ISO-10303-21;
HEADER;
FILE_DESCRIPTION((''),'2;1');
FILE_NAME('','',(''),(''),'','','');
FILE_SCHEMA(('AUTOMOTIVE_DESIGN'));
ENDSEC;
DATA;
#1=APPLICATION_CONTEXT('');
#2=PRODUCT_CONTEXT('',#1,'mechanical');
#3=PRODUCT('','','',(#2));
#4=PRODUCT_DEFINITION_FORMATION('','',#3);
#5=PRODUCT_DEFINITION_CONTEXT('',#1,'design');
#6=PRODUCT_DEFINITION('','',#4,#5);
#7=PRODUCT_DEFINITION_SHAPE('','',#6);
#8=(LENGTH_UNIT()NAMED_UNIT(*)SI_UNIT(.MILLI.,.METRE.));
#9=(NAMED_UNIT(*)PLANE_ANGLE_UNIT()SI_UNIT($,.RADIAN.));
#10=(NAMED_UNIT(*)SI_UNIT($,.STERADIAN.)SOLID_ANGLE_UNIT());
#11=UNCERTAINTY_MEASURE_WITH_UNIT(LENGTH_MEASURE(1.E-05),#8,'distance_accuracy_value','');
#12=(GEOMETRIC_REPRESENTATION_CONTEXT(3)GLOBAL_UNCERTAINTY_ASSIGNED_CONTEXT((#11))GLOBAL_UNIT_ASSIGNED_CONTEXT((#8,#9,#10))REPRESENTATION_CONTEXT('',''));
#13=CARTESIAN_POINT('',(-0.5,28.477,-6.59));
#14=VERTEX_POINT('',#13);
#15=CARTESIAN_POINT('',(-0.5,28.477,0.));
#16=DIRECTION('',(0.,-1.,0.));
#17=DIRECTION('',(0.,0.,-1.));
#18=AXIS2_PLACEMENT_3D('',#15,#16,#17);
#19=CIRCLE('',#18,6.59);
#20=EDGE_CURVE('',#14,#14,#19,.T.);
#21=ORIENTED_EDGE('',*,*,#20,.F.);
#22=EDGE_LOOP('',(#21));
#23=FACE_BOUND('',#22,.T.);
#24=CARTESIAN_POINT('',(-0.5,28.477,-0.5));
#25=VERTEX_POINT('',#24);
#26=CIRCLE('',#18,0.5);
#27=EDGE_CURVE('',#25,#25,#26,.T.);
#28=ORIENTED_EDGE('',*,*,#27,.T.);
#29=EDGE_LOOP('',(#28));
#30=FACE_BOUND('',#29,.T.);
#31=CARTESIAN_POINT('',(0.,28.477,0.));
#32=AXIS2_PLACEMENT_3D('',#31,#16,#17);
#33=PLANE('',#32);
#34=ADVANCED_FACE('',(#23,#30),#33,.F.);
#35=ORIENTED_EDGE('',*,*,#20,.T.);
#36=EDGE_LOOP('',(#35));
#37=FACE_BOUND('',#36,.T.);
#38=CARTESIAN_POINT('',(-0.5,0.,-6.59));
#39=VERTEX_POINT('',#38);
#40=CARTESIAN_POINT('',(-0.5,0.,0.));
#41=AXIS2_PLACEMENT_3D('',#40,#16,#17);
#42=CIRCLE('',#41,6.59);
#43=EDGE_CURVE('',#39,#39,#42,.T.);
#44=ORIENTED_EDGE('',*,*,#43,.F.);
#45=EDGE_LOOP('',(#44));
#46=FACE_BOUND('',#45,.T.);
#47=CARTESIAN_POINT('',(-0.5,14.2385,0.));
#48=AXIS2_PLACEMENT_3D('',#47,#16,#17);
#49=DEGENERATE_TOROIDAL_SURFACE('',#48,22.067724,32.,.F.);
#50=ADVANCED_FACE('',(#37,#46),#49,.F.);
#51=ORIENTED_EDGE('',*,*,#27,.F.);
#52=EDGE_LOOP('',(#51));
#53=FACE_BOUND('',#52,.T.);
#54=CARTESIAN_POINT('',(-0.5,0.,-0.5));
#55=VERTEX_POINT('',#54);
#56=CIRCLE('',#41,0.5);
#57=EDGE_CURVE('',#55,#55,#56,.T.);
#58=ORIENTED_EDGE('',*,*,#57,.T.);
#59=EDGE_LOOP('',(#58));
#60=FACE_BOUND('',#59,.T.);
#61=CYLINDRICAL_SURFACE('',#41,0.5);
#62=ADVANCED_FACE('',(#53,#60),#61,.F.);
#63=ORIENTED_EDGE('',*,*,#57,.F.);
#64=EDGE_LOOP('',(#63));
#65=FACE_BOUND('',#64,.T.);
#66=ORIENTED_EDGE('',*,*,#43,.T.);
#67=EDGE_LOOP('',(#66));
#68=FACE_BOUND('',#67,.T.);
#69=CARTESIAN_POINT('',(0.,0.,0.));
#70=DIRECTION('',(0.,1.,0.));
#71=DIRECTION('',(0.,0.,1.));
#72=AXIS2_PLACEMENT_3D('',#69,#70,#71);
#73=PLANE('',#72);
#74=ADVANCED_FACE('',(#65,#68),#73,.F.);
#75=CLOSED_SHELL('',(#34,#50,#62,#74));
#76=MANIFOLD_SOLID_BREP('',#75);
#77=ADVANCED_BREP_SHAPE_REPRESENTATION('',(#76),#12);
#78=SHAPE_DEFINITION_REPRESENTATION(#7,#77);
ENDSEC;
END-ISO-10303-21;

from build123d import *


with BuildPart() as part:
    # Sketch1 → Revolve1 (revolve)
    with BuildSketch(Plane.XY):
        with BuildLine():
            Line((6.09, 0), (0, 0))
            Line((0, 0), (0, 28.477))
            Line((0, 28.477), (6.09, 28.477))
            ThreePointArc((6.09, 28.477), (9.432276473, 14.2385), (6.09, 0))
        make_face()
    revolve(axis=Axis((-0.5, 0, 0), (0, 1, 0)))


solid = part.part
